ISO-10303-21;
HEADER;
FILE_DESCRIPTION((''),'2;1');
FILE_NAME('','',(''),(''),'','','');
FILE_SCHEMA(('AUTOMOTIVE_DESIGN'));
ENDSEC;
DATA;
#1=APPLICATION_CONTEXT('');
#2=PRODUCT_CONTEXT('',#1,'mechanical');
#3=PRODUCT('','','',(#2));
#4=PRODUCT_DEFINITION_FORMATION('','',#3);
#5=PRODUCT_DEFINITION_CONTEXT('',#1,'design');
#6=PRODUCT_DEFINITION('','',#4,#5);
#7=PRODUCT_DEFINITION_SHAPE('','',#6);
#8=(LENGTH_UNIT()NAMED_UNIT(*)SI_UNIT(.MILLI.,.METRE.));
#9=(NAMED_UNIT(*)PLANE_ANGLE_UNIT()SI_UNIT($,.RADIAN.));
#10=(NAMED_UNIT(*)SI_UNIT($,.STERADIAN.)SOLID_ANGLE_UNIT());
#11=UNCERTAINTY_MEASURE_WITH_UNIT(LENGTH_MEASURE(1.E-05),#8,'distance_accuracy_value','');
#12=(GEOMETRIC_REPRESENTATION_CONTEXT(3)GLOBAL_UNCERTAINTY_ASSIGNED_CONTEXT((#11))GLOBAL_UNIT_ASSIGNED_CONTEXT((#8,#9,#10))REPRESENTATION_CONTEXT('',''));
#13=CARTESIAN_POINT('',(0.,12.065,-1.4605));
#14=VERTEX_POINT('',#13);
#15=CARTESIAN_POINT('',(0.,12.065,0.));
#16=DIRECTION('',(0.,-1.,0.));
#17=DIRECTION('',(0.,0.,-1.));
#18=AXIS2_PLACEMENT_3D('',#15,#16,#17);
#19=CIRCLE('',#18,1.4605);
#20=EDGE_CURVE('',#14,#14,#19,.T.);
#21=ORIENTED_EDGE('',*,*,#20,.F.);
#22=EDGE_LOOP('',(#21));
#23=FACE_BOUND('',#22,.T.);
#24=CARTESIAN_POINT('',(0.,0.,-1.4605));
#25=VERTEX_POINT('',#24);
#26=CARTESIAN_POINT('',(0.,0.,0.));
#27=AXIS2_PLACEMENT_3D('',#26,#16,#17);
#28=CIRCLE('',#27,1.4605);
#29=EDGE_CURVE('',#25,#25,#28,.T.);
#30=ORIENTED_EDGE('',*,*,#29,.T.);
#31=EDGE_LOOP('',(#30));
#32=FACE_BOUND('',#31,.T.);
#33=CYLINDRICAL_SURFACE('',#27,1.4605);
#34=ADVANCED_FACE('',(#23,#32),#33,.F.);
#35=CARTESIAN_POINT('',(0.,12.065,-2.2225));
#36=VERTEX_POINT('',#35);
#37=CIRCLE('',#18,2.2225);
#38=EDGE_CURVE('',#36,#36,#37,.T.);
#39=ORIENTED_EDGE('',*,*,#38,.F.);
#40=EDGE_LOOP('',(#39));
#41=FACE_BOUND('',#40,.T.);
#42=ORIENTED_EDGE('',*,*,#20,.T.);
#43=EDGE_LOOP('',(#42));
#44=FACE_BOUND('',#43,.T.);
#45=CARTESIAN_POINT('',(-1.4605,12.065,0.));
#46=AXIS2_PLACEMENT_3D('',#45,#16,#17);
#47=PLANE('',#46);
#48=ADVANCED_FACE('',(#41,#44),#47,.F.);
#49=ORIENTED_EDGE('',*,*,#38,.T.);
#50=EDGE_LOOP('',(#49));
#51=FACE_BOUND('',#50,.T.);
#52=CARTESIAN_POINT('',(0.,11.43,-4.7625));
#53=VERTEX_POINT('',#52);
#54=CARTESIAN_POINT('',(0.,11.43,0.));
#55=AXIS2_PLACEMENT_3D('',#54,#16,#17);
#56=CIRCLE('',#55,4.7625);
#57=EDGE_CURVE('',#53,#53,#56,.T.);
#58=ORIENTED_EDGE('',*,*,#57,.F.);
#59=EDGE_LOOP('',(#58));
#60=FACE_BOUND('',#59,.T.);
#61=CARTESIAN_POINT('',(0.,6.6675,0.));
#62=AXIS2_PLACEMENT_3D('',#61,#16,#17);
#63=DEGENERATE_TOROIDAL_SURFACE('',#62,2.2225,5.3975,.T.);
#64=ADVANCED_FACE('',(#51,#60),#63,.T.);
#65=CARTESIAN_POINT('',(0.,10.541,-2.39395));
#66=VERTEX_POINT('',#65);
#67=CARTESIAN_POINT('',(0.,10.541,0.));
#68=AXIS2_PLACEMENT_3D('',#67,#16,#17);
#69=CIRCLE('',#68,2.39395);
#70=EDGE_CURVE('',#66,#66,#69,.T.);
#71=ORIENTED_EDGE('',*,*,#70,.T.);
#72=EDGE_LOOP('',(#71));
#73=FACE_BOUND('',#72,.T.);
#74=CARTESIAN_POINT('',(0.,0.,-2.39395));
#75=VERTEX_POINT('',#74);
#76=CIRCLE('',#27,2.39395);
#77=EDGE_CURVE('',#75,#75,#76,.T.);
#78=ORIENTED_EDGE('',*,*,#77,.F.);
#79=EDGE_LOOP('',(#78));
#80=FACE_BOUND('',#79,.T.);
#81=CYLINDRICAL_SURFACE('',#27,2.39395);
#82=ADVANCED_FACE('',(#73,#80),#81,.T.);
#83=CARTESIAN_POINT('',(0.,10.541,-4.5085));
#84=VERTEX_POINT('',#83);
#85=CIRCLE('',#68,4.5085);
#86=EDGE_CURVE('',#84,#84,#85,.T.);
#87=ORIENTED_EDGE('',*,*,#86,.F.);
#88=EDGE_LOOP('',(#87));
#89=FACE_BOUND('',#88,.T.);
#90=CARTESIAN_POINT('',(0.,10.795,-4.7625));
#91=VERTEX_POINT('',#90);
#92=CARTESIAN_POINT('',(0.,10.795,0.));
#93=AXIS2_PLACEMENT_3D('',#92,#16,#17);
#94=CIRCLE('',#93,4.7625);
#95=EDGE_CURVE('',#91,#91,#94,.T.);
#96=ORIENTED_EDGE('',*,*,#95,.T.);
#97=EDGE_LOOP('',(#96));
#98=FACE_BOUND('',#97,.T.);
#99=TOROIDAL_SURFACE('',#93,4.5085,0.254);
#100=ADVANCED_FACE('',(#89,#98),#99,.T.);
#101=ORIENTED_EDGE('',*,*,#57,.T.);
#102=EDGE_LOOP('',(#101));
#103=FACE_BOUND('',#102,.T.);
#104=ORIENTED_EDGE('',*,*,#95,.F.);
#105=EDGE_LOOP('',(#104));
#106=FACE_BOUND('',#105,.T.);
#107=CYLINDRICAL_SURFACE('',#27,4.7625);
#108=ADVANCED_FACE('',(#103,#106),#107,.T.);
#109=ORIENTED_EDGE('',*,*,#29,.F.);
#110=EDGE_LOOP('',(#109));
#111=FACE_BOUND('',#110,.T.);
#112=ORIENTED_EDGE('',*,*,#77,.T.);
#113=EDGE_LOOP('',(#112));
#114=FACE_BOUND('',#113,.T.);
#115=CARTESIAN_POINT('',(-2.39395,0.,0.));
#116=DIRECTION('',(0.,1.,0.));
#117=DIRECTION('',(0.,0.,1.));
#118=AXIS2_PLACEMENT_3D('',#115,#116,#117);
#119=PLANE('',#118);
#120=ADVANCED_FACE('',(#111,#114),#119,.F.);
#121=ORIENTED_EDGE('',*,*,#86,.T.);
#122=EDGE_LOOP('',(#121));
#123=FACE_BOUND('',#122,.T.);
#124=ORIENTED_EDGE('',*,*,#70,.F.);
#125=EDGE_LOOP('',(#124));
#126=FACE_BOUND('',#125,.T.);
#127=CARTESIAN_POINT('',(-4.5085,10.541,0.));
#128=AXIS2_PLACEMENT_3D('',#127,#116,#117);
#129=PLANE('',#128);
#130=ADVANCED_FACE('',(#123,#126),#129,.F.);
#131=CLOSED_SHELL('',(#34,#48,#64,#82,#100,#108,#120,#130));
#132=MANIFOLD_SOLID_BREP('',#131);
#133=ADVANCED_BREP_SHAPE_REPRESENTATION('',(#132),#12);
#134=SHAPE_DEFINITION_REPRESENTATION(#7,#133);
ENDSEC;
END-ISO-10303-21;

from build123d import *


with BuildPart() as part:
    # Sketch1 → Revolve1 (revolve)
    with BuildSketch(Plane.XY, mode=Mode.PRIVATE) as revolve1_sk:
        with BuildLine():
            Line((-1.4605, 0), (-1.4605, 12.065))
            Line((-1.4605, 12.065), (-2.2225, 12.065))
            ThreePointArc((-2.2225, 12.065), (-3.531586036, 11.903844145), (-4.7625, 11.43))
            Line((-4.7625, 11.43), (-4.7625, 10.795))
            ThreePointArc((-4.7625, 10.795), (-4.688105122, 10.615394878), (-4.5085, 10.541))
            Line((-4.5085, 10.541), (-2.39395, 10.541))
            Line((-2.39395, 10.541), (-2.39395, 0))
            Line((-2.39395, 0), (-1.4605, 0))
        make_face()
    revolve(revolve1_sk.sketch.rotate(Axis((0, 0, 0), (0, 1, 0)), 270), axis=Axis((0, 0, 0), (0, 1, 0)))


solid = part.part
